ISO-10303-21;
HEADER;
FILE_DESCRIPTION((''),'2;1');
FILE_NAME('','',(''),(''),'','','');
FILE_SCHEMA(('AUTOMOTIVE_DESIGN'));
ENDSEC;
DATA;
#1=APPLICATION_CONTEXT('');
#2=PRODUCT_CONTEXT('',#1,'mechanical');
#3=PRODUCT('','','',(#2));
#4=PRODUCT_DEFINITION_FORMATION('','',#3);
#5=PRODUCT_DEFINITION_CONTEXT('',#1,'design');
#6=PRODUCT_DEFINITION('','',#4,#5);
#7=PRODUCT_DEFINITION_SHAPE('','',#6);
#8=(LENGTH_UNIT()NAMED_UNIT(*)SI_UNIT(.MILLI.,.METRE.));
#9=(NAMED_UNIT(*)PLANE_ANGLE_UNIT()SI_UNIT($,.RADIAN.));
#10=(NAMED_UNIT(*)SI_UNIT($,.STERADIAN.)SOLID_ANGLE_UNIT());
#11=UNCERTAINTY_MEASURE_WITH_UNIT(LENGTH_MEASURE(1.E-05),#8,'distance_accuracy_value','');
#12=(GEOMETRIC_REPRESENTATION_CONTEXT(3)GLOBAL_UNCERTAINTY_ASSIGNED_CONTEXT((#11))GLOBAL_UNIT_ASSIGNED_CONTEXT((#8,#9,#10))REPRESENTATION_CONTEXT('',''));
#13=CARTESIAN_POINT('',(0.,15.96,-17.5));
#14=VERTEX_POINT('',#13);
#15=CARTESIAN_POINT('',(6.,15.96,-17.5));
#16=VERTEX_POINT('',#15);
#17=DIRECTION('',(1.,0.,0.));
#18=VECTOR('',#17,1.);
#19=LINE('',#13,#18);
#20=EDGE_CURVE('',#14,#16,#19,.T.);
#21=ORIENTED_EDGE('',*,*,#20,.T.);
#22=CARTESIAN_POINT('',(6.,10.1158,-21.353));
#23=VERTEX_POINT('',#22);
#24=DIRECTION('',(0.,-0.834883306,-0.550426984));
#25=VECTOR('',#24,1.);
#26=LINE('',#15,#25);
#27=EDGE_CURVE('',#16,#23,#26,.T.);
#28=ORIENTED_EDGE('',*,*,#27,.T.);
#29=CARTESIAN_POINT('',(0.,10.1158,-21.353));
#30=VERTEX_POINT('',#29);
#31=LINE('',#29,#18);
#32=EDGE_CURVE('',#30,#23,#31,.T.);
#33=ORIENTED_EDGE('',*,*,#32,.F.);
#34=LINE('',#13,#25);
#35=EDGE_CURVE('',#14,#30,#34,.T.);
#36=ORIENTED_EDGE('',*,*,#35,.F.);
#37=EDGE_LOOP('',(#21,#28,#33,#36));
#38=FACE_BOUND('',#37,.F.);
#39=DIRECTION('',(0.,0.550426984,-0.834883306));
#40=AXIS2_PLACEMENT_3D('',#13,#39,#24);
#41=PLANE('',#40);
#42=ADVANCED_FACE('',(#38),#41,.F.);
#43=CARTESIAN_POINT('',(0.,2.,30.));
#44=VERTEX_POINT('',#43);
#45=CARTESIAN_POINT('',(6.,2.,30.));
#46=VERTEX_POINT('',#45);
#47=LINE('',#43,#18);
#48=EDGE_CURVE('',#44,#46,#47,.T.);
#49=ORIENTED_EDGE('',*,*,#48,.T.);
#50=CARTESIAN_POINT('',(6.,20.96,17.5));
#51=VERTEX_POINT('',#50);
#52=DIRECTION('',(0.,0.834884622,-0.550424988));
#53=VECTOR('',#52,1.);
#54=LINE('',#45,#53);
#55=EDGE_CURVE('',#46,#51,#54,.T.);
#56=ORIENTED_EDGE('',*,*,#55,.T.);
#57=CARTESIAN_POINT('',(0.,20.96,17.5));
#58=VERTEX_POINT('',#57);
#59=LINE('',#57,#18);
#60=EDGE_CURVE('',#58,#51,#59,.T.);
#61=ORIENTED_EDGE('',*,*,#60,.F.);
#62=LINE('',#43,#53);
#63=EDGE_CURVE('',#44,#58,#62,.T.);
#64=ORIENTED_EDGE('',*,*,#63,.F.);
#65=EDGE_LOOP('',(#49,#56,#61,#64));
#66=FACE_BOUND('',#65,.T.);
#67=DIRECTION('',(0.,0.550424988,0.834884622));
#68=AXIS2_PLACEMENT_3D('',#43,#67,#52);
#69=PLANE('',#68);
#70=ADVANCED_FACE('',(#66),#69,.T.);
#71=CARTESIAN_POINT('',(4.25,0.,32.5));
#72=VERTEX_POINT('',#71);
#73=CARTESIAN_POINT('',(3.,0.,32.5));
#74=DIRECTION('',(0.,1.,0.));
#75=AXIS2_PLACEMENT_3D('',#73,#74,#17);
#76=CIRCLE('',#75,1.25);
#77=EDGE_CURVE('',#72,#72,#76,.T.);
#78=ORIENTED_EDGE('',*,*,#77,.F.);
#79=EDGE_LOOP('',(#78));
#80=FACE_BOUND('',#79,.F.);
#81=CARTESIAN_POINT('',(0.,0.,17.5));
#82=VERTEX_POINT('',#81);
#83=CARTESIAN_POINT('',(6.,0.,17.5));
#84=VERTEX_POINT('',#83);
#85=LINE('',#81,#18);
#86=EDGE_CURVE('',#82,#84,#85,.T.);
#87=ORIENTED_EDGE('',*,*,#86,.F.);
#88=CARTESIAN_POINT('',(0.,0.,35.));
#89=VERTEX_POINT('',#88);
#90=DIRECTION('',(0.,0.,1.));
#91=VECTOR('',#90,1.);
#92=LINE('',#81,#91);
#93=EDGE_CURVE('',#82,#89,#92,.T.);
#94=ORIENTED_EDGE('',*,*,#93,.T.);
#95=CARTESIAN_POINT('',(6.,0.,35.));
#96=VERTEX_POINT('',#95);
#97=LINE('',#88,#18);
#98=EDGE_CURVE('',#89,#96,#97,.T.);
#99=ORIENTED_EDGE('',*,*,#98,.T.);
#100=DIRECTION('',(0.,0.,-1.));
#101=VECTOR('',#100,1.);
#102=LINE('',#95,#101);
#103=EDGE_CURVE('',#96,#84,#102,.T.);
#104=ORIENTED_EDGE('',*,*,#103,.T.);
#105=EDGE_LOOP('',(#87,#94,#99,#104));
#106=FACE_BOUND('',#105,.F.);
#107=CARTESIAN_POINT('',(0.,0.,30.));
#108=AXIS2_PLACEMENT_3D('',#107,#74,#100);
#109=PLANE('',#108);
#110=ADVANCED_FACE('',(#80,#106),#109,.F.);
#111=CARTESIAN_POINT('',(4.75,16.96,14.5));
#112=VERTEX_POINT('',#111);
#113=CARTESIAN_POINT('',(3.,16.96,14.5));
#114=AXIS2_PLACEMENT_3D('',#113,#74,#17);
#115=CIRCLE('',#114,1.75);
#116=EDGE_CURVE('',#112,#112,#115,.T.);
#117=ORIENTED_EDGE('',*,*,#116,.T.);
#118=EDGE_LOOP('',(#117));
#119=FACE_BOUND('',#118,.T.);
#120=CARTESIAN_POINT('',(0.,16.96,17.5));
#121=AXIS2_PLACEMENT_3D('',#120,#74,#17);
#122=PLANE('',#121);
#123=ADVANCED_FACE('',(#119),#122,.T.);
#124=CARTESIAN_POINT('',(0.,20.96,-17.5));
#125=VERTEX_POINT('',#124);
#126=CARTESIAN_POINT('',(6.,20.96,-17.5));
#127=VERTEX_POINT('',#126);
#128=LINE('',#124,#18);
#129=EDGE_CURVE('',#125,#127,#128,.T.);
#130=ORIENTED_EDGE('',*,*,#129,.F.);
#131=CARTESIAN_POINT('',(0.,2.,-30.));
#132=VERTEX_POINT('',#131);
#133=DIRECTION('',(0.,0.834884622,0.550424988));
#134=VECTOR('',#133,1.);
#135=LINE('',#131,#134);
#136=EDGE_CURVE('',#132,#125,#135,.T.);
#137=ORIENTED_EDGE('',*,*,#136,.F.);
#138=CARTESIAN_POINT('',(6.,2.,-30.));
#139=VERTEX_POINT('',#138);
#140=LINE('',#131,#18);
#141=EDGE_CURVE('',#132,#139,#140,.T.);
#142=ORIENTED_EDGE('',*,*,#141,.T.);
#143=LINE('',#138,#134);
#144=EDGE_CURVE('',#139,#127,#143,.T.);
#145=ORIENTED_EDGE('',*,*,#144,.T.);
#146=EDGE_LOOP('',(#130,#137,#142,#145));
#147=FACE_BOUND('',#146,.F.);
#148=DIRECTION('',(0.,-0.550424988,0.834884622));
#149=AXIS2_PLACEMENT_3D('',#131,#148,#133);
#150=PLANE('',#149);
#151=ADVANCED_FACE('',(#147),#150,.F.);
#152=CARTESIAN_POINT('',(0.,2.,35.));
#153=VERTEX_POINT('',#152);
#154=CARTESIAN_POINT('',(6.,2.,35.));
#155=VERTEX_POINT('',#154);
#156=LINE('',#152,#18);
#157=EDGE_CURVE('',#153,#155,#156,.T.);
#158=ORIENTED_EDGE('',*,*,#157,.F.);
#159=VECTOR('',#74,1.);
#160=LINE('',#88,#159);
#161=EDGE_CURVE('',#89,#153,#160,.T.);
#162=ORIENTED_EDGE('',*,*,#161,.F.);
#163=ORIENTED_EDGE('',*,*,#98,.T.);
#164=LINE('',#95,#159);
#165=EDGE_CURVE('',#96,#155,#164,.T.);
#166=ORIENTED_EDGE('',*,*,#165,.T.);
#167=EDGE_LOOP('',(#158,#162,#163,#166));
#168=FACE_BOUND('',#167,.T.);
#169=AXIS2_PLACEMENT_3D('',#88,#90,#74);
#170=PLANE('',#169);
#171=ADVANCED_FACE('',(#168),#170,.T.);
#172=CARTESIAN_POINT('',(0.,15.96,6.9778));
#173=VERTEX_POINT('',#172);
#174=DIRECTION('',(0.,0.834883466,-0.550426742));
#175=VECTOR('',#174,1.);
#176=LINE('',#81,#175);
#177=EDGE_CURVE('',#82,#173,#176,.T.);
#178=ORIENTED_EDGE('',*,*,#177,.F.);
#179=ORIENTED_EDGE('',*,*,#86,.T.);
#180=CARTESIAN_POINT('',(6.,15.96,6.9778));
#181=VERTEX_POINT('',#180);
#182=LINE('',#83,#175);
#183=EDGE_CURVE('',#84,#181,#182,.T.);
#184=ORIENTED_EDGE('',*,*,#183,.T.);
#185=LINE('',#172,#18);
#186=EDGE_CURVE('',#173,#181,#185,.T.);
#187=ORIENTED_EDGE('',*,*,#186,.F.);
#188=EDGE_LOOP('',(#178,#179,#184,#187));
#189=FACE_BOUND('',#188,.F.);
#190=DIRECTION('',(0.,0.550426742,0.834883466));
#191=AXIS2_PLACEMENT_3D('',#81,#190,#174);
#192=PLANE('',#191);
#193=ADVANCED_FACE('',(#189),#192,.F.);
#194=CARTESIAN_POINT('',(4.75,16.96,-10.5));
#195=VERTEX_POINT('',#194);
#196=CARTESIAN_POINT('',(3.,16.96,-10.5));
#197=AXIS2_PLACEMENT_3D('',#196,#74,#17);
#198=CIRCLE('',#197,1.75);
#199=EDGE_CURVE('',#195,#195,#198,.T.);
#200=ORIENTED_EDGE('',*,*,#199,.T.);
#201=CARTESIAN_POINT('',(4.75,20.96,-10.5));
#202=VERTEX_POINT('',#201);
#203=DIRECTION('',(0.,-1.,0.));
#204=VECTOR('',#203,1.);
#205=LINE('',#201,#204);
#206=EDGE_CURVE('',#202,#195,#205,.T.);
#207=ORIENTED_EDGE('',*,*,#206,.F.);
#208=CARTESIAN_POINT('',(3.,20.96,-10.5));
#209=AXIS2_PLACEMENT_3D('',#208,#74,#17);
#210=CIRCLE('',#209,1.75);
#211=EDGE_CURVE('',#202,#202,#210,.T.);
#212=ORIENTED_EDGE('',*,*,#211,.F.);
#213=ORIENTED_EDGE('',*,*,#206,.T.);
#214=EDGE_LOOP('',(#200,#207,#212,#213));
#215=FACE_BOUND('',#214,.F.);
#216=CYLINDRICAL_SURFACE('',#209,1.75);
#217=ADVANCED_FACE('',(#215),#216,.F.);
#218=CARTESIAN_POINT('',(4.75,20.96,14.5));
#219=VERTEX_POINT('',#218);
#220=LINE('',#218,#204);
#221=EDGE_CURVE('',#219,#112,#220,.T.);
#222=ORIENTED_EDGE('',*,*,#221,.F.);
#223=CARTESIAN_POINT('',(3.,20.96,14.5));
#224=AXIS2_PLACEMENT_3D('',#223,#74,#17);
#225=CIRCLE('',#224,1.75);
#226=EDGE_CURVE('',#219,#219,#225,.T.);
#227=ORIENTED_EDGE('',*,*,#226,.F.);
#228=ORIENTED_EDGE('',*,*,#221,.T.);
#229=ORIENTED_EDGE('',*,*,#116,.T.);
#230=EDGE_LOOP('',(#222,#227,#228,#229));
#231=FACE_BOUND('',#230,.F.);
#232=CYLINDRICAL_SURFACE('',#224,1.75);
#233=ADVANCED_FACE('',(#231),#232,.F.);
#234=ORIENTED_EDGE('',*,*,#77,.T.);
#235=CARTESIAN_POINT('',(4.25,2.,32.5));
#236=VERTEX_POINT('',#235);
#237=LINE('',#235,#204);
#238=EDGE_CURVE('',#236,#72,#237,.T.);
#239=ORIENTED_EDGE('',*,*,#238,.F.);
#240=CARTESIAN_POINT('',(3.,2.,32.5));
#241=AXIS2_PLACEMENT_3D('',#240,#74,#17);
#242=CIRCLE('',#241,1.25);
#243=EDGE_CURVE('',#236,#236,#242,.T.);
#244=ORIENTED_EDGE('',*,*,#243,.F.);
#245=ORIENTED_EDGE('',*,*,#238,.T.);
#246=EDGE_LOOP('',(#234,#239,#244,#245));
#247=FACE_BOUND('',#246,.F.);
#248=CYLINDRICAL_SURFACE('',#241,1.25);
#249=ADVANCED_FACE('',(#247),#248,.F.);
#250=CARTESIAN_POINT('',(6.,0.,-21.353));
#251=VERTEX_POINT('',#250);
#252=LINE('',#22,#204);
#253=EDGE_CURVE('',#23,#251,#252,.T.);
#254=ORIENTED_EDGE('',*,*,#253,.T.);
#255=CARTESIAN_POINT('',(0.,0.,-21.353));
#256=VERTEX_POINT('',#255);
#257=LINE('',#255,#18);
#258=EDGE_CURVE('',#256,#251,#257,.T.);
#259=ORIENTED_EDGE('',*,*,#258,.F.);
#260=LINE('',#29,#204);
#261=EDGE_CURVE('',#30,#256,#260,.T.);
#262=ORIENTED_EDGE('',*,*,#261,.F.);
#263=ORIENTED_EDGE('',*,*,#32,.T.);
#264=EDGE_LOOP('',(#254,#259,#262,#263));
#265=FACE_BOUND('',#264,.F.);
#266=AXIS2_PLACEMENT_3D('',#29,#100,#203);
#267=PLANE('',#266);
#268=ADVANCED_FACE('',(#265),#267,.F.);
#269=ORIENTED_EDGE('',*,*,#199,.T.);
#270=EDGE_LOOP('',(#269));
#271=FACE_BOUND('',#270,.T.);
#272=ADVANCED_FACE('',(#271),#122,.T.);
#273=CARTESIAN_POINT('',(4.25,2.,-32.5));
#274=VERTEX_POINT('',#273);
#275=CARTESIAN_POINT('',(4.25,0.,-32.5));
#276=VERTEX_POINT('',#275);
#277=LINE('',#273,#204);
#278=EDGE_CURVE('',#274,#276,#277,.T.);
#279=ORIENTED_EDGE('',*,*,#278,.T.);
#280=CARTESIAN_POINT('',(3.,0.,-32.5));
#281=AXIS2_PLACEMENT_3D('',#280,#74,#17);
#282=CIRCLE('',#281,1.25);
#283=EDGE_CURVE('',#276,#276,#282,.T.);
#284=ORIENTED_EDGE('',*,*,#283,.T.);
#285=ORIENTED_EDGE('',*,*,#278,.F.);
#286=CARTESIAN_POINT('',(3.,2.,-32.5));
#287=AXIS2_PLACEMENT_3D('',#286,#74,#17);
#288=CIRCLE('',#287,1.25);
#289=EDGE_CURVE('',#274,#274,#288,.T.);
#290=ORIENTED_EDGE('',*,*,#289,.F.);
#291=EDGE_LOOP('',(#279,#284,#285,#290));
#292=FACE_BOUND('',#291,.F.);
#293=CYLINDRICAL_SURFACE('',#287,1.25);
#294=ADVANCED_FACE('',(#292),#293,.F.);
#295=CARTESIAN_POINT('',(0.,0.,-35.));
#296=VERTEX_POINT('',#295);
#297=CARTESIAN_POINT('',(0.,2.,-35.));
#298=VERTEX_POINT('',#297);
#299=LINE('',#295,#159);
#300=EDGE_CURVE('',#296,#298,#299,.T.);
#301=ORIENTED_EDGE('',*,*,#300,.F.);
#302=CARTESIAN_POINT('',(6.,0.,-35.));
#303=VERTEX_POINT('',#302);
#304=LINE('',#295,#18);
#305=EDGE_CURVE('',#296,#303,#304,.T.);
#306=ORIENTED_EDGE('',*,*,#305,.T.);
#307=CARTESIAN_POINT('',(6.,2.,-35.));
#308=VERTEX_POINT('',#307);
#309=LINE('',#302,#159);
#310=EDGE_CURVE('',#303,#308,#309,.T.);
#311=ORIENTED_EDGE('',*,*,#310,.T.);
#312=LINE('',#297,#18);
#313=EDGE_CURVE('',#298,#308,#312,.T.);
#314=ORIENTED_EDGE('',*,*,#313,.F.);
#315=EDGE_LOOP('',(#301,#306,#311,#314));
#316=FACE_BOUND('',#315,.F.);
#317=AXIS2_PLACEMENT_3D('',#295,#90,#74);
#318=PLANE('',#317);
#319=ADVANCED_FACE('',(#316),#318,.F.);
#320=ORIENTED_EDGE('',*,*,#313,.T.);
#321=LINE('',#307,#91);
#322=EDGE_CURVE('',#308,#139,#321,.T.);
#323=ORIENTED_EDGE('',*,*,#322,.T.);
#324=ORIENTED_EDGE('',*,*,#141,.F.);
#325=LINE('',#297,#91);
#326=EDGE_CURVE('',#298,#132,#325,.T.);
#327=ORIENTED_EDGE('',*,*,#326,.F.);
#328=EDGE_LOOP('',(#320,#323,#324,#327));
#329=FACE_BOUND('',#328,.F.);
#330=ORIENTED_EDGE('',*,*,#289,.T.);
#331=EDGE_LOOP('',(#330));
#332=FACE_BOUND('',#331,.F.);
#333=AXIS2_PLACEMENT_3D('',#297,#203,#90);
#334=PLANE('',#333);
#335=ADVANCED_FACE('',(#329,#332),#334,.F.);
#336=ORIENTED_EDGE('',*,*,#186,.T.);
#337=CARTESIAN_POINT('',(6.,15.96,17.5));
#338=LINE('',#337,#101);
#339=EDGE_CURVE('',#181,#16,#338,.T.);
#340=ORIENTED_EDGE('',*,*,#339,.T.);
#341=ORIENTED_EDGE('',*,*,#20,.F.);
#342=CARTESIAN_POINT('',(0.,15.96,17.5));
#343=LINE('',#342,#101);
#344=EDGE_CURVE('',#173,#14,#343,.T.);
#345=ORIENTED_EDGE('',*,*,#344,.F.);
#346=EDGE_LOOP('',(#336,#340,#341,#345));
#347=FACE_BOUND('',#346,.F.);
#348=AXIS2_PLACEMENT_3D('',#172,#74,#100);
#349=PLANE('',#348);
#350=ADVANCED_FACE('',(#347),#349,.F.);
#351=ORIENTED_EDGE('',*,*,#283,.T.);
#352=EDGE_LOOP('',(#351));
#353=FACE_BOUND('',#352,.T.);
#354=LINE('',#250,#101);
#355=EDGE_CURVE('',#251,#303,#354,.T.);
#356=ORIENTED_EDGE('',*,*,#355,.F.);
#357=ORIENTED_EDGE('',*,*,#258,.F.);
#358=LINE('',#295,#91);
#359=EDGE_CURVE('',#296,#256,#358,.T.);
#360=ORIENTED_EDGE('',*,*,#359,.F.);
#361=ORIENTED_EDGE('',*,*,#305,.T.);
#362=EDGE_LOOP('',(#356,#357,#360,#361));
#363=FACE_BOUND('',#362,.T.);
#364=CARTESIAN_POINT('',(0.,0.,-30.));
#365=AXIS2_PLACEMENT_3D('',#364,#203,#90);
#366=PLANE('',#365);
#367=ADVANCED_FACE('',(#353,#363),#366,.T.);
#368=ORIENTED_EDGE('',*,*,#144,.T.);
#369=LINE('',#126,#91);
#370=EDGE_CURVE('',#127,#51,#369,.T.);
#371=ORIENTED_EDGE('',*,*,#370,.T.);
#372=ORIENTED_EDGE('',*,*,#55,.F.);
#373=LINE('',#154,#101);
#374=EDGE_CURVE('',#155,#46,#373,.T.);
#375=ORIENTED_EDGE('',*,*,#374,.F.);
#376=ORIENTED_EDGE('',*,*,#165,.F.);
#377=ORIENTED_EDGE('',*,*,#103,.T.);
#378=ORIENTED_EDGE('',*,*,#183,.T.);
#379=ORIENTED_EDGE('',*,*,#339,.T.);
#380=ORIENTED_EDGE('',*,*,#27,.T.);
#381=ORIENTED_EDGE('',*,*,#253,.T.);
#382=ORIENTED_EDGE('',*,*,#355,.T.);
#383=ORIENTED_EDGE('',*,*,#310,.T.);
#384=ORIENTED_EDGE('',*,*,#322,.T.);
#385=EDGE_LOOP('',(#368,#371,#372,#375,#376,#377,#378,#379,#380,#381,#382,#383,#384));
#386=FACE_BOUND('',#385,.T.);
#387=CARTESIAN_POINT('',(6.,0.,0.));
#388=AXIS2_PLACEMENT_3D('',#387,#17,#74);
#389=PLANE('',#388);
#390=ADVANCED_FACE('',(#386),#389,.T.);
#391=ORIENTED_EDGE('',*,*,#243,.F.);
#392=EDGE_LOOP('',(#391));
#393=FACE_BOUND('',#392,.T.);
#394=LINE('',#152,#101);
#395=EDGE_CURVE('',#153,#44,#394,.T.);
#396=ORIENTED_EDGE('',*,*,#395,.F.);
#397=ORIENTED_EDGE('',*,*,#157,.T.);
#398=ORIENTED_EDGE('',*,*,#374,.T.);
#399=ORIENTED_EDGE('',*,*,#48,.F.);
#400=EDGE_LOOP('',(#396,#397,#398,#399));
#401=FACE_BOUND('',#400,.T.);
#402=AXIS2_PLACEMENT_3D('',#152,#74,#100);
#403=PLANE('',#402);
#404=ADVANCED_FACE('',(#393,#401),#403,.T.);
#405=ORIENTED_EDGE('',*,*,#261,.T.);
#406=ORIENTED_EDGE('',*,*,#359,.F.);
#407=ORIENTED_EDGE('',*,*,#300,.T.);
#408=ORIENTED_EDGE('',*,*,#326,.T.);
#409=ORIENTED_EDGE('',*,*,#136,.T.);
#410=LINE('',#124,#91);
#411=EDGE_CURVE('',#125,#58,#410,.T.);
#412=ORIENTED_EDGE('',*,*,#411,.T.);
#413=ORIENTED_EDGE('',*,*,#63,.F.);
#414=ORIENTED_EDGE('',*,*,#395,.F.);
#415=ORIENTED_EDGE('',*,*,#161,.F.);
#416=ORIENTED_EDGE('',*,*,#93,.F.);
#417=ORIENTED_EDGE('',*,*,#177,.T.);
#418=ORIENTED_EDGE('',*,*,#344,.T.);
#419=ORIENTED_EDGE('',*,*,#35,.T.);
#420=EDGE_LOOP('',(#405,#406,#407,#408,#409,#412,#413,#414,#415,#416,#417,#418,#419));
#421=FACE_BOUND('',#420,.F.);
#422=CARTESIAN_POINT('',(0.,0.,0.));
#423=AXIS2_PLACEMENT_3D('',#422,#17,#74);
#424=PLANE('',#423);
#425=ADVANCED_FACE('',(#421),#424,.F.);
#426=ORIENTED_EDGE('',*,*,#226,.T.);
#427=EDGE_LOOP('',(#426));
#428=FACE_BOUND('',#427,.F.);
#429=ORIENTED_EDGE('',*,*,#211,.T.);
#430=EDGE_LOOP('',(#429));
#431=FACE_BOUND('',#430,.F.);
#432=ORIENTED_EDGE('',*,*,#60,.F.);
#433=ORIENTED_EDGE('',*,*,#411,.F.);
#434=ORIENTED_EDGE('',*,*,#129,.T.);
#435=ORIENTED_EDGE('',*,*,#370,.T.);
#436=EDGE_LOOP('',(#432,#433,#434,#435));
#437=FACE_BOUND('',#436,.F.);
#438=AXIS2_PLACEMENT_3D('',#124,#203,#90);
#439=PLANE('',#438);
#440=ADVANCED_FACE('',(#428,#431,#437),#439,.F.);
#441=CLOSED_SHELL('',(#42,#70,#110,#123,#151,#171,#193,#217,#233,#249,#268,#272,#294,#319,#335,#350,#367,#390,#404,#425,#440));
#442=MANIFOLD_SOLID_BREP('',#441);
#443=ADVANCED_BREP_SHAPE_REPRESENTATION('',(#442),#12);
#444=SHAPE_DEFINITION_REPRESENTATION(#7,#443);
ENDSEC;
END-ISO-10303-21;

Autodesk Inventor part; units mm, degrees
ref_plane "YZ Plane" through (0, 0, 0) normal (1, 0, 0) x (0, 1, 0)
ref_plane "XZ Plane" through (0, 0, 0) normal (0, 1, 0) x (-1, 0, 0)
ref_plane "XY Plane" through (0, 0, 0) normal (0, 0, 1) x (1, 0, 0)
sketch "Эскиз1" plane through (0, 0, 0) normal (1, 0, 0) x (0, 1, 0)
  line L0 (0, 35) -> (20.96, 35) construction
  line L1 (20.96, 35) -> (20.96, -35) construction
  line L2 (20.96, -35) -> (0, -35) construction
  line L3 (0, -35) -> (0, 35) construction
  line L4 (13, 12.5) -> (0, 12.5) construction
  line L5 (0, 12.5) -> (0, -12.5) construction
  line L6 (0, -12.5) -> (13, -12.5) construction
  line L7 (13, -12.5) -> (13, 12.5) construction
  line L8 (20.96, 17.5) -> (15.96, 17.5)
  line L9 (15.96, 17.5) -> (15.96, -17.5)
  line L10 (15.96, -17.5) -> (20.96, -17.5)
  line L11 (20.96, -17.5) -> (20.96, 17.5)
  line L12 (0, 35) -> (2, 35)
  line L13 (2, 35) -> (2, 30)
  line L14 (2, 30) -> (0, 30)
  line L15 (0, 30) -> (0, 35)
  line L16 (15.96, 17.5) -> (0, 17.5)
  line L17 (0, 30) -> (0, 17.5)
  line L18 (2, 30) -> (20.96, 17.5)
  line L19 (20.96, 0) -> (0, 0) construction
  line L20 (0, -35) -> (2, -35)
  line L21 (2, -35) -> (2, -30)
  line L22 (2, -30) -> (0, -30)
  line L23 (0, -30) -> (0, -35)
  line L24 (15.96, -17.5) -> (0, -17.5)
  line L25 (0, -30) -> (0, -17.5)
  line L26 (2, -30) -> (20.96, -17.5)
  line L27 (15.96, -17.5) -> (15.96, -17.5)
  line L28 (15.96, -17.5) -> (10.1158, -21.353)
  line L29 (15.96, -17.5) -> (22.96, -17.5) construction
  line L30 (10.1158, -21.353) -> (0, -21.353)
  line L31 (0, 17.5) -> (15.96, 6.9778)
  dimension "d0" = 20.96
  dimension "d1" = 70
  dimension "d2" = 13
  dimension "d3" = 25
  dimension "d4" = 5
  dimension "d5" = 35
  dimension "d6" = 2
  dimension "d7" = 5
  dimension "d25" = 0
  dimension "d26" = 7
extrude "Выдавливание1" add sketch "Эскиз1" along normal blind 6 contours L11 L10 L9 L8 | L8 L16 L17 L14 L18 | L9 L31 L16 | L26 L22 L25 L30 L28 L10 | L14 L15 L12 L13 | L21 L20 L23 L22
sketch "Эскиз2" plane through (0, 20.96, 17.5) normal (0, 1, 0) x (1, 0, 0)
  line L0 (0, 0) -> (6, 0) projected
  line L1 (3, 0) -> (3, 31) construction
  line L2 (0, 31) -> (6, 31) projected
  line L3 (3, 3) -> (3, 28) construction
  circle A0 centre (3, 3) radius 1.75
  circle A1 centre (3, 28) radius 1.75
  point P0 (0, 17.5)
  point P1 (3, 15.5)
  dimension "d10" = 25
  dimension "d11" = 3.5
  dimension "d12" = 3.5
extrude "Выдавливание2" cut sketch "Эскиз2" against normal blind 4
sketch "Эскиз3" plane through (0, 2, 35) normal (0, 1, 0) x (1, 0, 0)
  line L0 (0, 0) -> (6, 0) construction
  line L1 (6, 17.5) -> (6, 5) projected
  line L2 (0, 0) -> (6, 0) construction
  line L3 (6, 0) -> (6, 5) construction
  line L4 (6, 5) -> (0, 5) construction
  line L5 (0, 5) -> (0, 0) construction
  line L6 (6, 56.353) -> (6, 70) projected
  line L7 (0, 65) -> (0, 52.5) projected
  line L8 (6, 70) -> (0, 70) construction
  line L9 (0, 70) -> (0, 65) construction
  line L10 (0, 65) -> (6, 65) construction
  line L11 (6, 65) -> (6, 70) construction
  line L12 (0, 5) -> (0, 0) construction
  line L13 (0, 2.5) -> (6, 2.5) construction
  line L14 (3, 0) -> (3, 5) construction
  line L15 (0, 67.5) -> (6, 67.5) construction
  line L16 (3, 65) -> (3, 70) construction
  circle A0 centre (3, 2.5) radius 1.25
  circle A1 centre (3, 67.5) radius 1.25
  point P0 (0, 35)
  point P1 (6, 55.5)
  dimension "d21" = 2.5
  dimension "d22" = 2.5
extrude "Выдавливание3" cut sketch "Эскиз3" against normal blind 2
properties part number "low_part_of_extrad_system"
